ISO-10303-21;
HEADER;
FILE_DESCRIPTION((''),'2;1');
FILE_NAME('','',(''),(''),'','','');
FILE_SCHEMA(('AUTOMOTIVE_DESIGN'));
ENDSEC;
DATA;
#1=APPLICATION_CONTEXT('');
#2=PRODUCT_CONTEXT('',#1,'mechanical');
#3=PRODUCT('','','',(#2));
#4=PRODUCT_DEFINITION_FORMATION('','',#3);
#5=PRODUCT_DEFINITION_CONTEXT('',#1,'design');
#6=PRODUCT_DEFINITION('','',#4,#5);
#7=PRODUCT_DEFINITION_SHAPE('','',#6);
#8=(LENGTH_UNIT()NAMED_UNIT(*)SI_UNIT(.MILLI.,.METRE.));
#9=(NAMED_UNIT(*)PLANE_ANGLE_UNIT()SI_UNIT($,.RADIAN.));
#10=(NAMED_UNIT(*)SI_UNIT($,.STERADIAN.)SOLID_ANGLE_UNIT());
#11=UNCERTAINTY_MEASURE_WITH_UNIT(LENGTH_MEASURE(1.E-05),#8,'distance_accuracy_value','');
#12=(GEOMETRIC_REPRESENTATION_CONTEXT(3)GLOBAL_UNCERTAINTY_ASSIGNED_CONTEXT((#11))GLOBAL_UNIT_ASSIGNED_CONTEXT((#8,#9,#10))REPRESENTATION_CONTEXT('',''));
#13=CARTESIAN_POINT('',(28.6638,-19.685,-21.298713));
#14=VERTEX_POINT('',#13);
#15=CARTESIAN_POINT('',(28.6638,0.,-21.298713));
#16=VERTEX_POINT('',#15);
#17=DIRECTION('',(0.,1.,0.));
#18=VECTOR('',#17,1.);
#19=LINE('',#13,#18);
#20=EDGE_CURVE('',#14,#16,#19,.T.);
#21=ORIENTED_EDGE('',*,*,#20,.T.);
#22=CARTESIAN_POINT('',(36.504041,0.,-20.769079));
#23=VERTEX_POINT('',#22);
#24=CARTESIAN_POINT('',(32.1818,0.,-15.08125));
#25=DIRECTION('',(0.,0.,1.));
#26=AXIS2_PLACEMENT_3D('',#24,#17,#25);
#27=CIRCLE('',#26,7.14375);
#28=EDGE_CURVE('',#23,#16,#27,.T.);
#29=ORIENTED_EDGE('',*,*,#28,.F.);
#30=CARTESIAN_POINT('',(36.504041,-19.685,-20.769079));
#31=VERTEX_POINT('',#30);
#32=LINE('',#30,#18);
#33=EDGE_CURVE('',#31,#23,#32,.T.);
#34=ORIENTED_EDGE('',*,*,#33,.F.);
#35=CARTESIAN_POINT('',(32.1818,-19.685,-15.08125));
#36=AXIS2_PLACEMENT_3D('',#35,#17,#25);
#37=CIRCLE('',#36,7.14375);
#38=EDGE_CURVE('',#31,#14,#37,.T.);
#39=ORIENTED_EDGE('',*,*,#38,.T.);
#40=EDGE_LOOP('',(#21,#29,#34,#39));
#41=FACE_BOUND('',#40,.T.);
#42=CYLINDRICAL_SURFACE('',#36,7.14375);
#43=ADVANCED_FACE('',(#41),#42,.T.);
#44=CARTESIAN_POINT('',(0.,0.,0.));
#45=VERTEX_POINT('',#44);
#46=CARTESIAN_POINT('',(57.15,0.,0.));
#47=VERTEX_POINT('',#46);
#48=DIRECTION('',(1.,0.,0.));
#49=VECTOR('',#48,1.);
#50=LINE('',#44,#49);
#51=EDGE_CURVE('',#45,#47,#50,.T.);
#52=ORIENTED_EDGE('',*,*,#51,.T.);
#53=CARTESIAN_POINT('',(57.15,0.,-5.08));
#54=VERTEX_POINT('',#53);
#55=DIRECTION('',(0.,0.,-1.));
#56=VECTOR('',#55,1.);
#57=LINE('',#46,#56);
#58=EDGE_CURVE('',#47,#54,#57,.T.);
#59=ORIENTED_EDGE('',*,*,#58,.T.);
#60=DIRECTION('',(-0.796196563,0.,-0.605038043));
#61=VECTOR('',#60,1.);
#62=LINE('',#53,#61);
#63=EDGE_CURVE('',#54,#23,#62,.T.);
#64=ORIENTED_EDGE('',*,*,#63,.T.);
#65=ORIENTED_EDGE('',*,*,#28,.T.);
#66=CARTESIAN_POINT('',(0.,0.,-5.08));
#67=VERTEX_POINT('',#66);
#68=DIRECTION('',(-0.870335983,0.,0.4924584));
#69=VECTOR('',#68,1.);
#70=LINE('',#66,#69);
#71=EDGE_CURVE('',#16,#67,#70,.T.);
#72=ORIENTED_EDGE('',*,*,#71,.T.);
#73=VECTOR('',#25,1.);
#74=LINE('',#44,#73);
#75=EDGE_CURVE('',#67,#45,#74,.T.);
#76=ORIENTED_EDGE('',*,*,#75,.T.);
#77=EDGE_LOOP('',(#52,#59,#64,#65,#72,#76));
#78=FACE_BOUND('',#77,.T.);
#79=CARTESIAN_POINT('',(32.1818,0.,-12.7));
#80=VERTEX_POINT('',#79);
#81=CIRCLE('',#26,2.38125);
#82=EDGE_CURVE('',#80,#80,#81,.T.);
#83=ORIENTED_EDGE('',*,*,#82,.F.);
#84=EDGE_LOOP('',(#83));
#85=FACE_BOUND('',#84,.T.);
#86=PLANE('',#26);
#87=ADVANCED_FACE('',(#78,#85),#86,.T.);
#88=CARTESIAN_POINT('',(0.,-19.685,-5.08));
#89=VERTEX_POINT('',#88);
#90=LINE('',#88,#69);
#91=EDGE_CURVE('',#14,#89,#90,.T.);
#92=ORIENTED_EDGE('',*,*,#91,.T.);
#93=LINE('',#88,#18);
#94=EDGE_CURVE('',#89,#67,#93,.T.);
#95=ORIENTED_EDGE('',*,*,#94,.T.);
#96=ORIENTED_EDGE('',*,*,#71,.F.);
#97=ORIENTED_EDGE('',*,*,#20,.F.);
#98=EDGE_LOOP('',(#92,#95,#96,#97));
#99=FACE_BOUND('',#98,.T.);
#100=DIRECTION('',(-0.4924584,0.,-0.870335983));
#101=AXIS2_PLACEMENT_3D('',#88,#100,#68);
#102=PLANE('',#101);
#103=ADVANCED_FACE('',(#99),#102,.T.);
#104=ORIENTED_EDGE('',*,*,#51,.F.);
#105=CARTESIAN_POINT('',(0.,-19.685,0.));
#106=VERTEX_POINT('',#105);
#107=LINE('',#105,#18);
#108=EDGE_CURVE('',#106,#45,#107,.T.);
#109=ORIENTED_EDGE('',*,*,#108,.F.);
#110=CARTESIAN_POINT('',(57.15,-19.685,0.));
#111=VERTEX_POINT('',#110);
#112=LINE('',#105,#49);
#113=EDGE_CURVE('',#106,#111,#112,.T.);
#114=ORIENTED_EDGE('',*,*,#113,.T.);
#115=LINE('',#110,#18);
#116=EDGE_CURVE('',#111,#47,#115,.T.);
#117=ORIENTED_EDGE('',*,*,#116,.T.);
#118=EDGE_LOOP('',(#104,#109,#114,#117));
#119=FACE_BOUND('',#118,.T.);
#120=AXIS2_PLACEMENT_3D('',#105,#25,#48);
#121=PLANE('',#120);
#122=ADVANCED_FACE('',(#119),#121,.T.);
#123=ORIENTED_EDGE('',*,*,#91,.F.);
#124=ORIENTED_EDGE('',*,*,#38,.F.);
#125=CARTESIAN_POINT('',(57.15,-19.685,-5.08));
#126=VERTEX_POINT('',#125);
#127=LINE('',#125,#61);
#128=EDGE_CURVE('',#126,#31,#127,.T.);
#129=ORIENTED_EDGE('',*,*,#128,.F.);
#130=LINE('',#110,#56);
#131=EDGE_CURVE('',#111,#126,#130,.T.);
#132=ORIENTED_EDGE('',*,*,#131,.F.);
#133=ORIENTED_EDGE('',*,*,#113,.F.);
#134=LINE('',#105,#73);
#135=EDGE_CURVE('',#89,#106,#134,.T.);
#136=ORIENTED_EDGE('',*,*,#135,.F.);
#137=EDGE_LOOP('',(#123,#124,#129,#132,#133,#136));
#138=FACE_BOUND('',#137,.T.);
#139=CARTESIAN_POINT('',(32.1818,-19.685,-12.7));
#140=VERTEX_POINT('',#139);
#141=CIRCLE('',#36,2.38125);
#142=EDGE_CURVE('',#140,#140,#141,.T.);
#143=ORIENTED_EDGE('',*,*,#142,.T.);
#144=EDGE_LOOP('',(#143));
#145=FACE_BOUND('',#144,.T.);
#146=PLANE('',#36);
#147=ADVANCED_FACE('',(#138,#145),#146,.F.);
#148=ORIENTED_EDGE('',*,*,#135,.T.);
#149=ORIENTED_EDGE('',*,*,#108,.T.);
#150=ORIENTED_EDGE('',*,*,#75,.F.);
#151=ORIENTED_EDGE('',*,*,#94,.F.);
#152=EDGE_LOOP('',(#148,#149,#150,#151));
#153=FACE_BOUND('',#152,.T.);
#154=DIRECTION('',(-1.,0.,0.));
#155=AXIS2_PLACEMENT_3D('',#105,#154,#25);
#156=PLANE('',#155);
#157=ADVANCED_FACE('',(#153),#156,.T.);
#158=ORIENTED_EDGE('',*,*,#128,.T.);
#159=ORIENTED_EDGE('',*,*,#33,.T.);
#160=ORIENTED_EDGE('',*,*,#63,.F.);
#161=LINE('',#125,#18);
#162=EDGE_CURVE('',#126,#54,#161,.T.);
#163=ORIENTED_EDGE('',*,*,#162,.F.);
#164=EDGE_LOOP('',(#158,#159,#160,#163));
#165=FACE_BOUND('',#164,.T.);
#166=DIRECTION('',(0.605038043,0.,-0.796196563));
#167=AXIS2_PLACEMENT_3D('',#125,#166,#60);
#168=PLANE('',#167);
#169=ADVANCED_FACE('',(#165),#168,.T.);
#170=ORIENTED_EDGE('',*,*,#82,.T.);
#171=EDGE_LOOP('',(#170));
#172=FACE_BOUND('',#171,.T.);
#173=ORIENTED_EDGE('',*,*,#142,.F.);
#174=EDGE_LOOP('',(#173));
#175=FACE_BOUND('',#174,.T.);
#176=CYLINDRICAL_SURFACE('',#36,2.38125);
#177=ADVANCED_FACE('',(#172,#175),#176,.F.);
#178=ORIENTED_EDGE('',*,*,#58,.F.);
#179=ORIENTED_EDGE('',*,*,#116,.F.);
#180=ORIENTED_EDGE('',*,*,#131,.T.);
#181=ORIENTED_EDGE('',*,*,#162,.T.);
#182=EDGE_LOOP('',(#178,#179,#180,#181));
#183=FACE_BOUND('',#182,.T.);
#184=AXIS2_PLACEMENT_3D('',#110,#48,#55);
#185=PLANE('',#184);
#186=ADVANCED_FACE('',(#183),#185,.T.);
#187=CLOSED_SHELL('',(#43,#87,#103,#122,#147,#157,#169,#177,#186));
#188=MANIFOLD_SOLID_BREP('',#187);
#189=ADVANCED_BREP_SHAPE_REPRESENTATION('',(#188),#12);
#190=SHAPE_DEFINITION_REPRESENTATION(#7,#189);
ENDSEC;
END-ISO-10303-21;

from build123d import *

# Parameters (mm, degrees)
SKETCH1_R           = 2.38125
BOSS_EXTRUDE1_DEPTH = 19.685


with BuildPart() as part:
    # Sketch1 → Boss-Extrude1 (new body)
    with BuildSketch(Plane(origin=(0, 0, 0), x_dir=(1, 0, 0), z_dir=(0, 1, 0))):
        with BuildLine():
            Line((0, 5.08), (28.663800302, 21.298712681))
            ThreePointArc((28.663800302, 21.298712681), (32.663285963, 22.208755547), (36.504040521, 20.769079194))
            Line((36.504040521, 20.769079194), (57.15, 5.08))
            Line((57.15, 5.08), (57.15, 0))
            Line((57.15, 0), (0, 0))
            Line((0, 0), (0, 5.08))
        make_face()
        with Locations(Location((32.1818, 15.08125, 0), (0, 0, 270))):
            Circle(SKETCH1_R, mode=Mode.SUBTRACT)
    extrude(amount=-BOSS_EXTRUDE1_DEPTH)


solid = part.part
